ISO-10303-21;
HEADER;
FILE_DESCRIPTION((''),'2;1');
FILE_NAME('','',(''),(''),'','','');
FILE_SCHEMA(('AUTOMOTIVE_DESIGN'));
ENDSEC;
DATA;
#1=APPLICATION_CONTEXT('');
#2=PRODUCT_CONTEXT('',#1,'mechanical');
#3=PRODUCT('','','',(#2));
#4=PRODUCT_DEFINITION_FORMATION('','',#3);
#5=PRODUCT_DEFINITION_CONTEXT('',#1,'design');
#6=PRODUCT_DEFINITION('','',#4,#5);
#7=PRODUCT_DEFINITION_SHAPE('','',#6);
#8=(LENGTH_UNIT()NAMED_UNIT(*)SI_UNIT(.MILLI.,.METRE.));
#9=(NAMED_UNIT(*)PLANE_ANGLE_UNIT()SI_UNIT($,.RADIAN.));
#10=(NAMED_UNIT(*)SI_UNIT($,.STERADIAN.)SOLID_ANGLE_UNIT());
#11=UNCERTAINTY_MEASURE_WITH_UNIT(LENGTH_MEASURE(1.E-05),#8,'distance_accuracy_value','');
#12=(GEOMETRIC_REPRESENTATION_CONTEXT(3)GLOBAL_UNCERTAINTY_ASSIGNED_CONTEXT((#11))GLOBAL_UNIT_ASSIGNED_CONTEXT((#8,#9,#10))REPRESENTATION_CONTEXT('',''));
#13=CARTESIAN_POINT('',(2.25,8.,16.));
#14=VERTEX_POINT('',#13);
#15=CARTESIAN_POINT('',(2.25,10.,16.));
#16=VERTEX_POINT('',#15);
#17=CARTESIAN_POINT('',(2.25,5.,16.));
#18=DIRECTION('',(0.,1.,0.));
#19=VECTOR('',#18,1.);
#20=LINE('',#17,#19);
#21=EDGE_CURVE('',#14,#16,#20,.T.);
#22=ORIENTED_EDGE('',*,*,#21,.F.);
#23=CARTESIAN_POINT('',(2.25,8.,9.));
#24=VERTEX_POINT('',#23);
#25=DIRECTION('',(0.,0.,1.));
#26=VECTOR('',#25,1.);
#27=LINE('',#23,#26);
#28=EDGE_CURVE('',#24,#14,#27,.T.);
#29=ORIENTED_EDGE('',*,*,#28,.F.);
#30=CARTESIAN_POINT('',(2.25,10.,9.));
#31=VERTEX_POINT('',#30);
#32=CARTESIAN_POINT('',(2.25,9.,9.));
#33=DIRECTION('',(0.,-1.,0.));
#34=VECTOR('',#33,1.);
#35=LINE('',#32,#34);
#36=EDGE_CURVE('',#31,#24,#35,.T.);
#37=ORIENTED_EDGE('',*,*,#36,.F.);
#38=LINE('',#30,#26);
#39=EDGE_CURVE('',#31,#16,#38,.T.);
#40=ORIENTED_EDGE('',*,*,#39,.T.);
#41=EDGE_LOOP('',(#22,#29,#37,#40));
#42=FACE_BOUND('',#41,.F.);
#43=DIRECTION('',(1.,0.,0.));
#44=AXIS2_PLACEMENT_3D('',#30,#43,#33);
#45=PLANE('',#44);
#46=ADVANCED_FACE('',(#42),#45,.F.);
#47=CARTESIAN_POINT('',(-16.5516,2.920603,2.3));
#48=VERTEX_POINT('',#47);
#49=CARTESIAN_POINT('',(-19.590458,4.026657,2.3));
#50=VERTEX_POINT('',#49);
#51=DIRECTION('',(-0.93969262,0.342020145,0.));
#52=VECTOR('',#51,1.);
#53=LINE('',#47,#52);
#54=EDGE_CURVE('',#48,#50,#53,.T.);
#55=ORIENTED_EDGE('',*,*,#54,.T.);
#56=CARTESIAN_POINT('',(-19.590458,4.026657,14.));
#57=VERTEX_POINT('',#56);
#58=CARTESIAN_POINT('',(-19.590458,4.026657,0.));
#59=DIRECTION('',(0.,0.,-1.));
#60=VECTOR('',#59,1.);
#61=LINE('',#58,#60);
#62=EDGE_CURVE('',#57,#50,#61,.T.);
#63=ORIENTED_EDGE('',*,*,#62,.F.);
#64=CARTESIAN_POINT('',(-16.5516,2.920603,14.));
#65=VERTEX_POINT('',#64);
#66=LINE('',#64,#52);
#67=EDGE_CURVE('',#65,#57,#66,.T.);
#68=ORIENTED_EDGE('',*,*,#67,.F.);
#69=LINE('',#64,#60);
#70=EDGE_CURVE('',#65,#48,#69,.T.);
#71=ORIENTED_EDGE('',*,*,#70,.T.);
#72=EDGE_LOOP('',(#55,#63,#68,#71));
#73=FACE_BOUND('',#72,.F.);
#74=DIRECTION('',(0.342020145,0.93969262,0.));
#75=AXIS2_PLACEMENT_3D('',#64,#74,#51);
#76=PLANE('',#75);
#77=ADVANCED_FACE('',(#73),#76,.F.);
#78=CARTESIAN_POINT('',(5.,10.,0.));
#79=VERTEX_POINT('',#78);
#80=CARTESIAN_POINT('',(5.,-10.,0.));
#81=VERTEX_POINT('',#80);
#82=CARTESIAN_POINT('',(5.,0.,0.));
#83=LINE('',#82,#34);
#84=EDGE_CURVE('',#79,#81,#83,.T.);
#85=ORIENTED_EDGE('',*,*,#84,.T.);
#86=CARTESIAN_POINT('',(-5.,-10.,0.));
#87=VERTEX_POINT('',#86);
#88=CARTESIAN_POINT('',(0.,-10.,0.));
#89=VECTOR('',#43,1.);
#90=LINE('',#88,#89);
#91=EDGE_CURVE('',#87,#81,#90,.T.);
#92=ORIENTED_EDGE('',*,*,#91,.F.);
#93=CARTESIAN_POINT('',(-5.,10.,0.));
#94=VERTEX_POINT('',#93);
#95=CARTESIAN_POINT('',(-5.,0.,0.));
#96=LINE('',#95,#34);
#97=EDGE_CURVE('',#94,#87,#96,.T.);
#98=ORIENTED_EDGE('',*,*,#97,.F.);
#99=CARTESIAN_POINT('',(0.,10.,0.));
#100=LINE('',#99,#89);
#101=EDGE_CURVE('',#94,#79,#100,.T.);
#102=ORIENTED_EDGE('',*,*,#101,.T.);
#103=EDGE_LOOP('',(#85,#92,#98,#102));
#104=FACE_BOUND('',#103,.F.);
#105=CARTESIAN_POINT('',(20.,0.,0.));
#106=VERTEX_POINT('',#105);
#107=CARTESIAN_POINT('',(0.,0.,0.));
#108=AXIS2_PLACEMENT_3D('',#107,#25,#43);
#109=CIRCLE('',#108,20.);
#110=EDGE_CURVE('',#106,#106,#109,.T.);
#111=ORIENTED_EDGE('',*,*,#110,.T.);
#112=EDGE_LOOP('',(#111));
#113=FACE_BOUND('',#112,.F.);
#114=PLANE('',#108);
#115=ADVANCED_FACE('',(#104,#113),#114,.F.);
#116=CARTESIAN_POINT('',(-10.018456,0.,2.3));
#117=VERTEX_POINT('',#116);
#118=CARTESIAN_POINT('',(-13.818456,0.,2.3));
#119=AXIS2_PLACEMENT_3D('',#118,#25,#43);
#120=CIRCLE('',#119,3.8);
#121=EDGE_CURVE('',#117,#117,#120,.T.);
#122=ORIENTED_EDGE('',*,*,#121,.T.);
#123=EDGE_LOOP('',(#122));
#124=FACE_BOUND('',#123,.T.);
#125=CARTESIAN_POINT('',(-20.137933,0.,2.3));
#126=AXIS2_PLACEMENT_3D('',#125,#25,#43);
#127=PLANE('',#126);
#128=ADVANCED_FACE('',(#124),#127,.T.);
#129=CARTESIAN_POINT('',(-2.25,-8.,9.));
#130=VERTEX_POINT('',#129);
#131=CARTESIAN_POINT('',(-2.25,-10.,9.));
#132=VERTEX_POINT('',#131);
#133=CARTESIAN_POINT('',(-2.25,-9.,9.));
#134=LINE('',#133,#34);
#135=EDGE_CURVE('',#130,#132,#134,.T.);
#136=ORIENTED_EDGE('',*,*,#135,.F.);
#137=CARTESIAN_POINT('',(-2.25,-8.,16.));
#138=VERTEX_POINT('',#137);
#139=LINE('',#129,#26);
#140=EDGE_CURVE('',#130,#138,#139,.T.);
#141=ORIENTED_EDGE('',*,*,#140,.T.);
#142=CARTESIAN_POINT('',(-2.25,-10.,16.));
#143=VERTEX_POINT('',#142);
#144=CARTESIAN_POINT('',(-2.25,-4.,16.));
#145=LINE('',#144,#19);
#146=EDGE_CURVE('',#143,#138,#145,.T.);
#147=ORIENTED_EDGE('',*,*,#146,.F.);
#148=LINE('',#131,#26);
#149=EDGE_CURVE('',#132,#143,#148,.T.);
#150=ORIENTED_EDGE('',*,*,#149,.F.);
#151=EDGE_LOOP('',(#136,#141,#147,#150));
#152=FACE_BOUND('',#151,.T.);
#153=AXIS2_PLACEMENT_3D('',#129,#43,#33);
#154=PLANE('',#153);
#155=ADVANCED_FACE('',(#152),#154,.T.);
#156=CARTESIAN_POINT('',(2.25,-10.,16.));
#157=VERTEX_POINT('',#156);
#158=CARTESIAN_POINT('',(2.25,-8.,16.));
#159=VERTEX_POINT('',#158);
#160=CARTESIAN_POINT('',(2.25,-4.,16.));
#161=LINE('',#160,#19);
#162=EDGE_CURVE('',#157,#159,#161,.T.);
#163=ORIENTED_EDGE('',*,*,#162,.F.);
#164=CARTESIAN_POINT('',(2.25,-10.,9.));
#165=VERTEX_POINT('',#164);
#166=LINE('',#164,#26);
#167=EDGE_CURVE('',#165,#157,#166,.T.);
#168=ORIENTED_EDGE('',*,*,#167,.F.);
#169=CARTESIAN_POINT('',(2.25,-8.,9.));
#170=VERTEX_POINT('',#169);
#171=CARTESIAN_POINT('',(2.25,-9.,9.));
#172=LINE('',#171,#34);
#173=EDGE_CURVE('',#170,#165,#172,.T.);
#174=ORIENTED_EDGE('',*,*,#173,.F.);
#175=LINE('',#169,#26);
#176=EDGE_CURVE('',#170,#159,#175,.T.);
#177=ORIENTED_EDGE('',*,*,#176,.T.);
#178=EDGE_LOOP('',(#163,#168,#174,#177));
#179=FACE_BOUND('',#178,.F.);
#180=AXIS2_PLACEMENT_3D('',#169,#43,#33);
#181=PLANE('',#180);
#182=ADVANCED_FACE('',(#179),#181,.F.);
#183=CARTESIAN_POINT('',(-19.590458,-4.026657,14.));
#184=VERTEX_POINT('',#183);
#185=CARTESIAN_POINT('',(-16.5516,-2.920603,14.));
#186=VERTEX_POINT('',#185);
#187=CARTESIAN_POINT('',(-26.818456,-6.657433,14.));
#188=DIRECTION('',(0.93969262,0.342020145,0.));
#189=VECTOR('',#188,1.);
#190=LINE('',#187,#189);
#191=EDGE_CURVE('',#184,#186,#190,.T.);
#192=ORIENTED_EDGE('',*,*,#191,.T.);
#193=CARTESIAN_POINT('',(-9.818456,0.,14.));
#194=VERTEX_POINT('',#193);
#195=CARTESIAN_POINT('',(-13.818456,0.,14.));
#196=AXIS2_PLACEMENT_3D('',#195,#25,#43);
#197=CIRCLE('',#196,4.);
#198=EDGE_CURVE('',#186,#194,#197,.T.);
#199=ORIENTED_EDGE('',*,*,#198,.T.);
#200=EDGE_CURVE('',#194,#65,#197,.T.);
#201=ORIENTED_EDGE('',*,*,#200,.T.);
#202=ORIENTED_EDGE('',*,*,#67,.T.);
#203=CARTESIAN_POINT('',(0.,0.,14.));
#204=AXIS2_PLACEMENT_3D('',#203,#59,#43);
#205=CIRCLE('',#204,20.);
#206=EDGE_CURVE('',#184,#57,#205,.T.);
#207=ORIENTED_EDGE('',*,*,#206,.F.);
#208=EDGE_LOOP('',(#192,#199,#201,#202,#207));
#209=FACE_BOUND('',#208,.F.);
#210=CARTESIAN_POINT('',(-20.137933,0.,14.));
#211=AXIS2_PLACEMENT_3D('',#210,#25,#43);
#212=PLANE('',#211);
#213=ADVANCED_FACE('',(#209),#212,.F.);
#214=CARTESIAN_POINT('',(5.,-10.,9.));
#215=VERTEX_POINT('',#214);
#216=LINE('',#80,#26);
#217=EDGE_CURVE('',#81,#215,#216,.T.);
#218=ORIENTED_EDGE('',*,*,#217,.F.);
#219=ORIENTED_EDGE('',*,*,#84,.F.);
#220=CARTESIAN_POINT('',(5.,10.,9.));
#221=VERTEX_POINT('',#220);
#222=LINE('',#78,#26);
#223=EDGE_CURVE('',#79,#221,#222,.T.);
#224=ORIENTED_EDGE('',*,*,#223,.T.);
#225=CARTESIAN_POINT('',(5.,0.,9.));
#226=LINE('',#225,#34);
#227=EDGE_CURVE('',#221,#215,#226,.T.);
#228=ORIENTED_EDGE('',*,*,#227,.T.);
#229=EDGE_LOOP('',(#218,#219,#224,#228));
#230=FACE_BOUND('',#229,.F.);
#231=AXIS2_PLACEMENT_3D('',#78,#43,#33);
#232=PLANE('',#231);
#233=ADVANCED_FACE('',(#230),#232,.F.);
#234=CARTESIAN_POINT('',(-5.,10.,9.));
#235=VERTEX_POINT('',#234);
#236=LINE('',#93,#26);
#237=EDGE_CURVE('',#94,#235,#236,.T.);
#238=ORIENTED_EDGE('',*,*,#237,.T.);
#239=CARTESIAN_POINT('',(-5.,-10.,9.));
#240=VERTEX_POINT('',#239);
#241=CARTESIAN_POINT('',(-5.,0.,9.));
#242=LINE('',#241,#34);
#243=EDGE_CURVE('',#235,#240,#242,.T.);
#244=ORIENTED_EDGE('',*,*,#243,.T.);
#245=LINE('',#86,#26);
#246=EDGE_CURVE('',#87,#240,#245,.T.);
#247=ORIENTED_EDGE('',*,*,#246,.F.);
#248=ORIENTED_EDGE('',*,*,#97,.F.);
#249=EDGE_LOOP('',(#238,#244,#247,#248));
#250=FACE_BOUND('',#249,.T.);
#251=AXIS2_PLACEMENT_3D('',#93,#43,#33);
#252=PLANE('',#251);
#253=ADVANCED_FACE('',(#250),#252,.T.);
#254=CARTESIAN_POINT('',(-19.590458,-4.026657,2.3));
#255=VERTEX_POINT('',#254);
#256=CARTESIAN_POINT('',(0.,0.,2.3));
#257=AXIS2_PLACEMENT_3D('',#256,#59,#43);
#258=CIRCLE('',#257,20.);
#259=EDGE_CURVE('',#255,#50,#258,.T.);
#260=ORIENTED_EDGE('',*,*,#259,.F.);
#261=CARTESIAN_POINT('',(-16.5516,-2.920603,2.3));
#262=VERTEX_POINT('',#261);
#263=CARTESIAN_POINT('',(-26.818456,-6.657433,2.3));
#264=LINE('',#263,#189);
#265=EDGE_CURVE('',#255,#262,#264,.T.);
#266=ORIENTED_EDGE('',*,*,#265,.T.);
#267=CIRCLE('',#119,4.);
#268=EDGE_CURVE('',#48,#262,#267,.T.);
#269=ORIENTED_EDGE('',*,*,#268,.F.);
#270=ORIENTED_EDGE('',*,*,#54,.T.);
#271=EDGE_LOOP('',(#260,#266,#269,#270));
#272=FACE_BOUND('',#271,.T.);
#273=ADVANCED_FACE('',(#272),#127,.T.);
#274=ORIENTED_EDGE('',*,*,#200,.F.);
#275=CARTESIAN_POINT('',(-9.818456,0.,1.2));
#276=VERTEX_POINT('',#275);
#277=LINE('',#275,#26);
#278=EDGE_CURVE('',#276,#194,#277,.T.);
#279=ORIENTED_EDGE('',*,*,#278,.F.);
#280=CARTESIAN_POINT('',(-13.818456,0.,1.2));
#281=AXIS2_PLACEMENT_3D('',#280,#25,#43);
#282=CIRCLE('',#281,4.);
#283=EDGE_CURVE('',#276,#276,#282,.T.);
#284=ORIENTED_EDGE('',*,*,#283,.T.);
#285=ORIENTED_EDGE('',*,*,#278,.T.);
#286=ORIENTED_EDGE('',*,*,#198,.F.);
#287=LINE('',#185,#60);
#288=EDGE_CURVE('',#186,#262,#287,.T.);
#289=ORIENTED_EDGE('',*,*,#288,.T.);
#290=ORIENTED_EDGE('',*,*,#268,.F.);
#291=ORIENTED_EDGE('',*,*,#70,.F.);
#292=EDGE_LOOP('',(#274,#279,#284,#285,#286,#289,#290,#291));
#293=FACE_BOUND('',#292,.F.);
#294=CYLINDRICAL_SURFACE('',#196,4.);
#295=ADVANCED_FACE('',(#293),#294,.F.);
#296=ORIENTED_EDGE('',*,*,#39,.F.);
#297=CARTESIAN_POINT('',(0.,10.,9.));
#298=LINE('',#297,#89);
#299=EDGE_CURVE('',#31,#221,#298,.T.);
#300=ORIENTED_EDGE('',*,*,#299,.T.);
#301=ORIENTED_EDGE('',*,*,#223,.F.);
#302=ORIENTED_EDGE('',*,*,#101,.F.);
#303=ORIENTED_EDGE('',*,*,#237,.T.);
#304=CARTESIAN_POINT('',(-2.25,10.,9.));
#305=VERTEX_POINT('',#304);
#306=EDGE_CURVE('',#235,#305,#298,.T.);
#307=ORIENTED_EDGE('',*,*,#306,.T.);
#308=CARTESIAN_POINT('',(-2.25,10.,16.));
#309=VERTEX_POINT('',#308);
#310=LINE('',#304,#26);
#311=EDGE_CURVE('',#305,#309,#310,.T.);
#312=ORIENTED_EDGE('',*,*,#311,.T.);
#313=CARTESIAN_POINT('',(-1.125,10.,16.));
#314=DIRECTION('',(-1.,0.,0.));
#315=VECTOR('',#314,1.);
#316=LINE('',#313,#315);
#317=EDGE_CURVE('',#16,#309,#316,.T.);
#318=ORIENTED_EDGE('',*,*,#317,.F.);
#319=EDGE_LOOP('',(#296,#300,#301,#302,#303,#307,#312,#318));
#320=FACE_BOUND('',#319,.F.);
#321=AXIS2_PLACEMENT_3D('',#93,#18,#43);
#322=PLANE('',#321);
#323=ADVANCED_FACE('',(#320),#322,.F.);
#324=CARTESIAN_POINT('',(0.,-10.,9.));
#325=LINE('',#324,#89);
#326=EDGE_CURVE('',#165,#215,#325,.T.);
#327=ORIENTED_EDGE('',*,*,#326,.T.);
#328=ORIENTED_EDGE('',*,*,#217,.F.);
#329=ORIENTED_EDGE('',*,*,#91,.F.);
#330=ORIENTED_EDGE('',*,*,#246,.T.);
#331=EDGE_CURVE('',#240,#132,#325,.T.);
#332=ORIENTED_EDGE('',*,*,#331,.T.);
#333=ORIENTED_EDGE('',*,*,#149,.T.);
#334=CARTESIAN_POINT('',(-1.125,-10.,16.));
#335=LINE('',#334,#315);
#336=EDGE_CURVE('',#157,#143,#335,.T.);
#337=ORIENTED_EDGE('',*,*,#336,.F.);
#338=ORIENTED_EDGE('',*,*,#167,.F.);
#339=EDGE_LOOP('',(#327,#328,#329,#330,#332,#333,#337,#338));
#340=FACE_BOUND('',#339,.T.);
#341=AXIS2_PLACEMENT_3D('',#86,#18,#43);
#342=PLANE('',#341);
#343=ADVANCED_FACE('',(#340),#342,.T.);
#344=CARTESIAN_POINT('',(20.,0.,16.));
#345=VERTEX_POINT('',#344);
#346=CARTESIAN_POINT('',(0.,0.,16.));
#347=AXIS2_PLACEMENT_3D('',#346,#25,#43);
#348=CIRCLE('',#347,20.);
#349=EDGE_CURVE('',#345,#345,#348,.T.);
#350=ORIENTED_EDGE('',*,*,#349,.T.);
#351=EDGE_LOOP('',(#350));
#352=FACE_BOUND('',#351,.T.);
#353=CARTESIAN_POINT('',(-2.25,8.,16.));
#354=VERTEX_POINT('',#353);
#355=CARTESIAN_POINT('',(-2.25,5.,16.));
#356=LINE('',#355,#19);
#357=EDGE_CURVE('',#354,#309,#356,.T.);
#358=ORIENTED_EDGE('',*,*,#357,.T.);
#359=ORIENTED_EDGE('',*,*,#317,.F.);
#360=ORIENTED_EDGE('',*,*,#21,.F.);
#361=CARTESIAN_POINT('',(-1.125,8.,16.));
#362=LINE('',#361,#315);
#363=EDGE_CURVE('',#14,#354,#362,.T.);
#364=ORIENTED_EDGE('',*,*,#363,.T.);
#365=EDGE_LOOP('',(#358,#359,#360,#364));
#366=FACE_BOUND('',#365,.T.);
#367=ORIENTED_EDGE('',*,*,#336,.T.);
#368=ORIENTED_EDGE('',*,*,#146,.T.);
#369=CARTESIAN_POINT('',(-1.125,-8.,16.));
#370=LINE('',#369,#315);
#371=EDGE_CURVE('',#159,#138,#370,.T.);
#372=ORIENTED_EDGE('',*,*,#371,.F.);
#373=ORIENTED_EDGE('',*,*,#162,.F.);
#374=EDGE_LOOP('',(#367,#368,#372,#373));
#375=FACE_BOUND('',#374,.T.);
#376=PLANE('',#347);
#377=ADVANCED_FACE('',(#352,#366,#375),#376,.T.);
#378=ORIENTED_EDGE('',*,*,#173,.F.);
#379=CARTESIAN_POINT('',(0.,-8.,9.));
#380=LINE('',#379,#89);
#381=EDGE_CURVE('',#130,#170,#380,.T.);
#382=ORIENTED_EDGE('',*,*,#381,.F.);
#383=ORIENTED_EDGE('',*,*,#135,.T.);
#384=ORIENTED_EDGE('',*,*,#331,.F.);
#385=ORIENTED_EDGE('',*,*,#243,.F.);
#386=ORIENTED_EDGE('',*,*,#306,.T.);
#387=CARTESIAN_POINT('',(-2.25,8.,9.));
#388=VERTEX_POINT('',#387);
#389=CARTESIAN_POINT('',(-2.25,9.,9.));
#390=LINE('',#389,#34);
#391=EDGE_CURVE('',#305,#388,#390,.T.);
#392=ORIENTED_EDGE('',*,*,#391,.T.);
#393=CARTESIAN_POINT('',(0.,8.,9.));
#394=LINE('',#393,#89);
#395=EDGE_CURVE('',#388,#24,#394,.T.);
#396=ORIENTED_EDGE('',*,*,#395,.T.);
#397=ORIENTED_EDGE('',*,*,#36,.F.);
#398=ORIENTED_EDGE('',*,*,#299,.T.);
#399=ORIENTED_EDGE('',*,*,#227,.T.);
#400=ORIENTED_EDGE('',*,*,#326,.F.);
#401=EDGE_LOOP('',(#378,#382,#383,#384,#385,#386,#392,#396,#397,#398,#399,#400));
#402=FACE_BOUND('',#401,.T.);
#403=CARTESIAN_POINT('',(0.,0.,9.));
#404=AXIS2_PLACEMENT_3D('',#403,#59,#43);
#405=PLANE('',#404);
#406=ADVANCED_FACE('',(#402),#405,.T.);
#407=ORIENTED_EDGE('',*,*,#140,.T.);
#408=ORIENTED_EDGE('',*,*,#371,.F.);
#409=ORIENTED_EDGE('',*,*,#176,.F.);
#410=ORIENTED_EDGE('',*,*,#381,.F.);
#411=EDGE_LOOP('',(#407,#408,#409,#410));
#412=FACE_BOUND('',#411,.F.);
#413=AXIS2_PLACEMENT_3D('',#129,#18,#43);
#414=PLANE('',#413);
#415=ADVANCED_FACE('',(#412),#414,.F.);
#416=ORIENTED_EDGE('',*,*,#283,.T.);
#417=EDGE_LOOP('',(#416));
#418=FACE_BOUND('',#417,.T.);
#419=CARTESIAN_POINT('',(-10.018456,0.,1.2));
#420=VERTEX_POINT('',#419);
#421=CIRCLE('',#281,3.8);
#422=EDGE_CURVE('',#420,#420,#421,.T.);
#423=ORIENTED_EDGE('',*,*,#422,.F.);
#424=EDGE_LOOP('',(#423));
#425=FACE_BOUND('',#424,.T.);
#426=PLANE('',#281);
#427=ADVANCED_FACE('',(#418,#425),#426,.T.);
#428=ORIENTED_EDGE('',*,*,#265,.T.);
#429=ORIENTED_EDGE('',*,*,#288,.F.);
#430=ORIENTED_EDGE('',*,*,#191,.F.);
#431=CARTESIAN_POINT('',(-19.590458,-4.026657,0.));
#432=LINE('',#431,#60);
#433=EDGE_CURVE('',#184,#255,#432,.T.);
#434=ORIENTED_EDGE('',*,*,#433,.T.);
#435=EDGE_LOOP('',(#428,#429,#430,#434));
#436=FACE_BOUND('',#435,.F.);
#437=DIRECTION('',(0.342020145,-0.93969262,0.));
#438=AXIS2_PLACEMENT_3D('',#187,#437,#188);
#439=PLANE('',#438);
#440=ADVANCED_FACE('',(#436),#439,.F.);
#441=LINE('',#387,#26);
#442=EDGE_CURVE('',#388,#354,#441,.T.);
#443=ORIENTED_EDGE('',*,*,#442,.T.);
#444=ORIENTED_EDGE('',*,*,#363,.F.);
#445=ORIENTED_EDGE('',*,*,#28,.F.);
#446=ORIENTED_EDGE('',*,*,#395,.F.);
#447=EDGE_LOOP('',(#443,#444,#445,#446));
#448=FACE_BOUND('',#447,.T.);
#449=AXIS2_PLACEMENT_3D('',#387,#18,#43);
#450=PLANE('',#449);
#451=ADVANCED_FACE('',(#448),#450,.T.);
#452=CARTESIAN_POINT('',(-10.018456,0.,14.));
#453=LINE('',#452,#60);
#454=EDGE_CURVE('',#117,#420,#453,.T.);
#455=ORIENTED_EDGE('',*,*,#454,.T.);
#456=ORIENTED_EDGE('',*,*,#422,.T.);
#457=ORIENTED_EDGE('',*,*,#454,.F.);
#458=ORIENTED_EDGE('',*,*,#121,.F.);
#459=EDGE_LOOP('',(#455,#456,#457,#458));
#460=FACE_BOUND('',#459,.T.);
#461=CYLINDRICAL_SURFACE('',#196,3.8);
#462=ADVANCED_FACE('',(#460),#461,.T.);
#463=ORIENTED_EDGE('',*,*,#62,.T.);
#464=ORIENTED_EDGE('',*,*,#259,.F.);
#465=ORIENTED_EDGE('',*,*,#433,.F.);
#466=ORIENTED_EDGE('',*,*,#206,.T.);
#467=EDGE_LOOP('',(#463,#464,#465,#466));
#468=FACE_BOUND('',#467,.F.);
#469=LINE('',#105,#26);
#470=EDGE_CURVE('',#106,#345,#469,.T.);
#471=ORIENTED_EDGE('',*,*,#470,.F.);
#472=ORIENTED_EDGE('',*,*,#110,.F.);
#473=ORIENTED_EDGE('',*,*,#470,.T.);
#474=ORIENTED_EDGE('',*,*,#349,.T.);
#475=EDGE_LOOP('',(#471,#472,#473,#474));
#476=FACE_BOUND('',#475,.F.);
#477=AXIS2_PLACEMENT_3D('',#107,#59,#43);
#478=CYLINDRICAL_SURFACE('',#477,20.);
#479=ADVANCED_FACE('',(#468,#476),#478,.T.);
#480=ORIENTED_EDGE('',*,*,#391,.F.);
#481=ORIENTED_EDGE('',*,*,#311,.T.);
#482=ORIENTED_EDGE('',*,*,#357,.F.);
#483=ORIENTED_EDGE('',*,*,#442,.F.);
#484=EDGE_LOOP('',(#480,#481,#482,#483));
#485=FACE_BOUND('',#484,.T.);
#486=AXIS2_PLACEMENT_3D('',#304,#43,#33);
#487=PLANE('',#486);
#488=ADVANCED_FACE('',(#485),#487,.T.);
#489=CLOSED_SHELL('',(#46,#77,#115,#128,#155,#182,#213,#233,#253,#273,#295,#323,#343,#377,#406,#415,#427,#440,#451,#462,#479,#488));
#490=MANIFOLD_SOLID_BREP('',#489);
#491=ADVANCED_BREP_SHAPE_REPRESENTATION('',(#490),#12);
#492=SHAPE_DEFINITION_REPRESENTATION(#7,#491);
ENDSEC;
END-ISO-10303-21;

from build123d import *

# Parameters (mm, degrees)
F0_R      = 20
F1_DEPTH  = 16
F2_W      = 10
F2_H      = 20
F3_DEPTH  = 9
F4_W      = 4.5
F4_H      = 2
F5_DEPTH  = 7.001
F7_R      = 4
F7_R_2    = 3.8
F8_DEPTH  = 12.8
F10_DEPTH = 11.7


with BuildPart() as f1:
    # F0 (on Top) → F1 (new body)
    with BuildSketch(Plane.XY):
        Circle(F0_R)
    extrude(amount=F1_DEPTH)

    # F2 (on face) → F3 (cut)
    with BuildSketch(Plane(origin=(0, 0, 0), x_dir=(1, 0, 0), z_dir=(0, 0, -1))):
        Rectangle(F2_W, F2_H)
    extrude(amount=-F3_DEPTH, mode=Mode.SUBTRACT)

    # F4 (on face) → F5 (cut, through all)
    with BuildSketch(Plane(origin=(0, 0, 9), x_dir=(1, 0, 0), z_dir=(0, 0, -1))):
        with Locations((0, 9)):
            Rectangle(F4_W, F4_H)
        with Locations((0, -9)):
            Rectangle(F4_W, F4_H)
    extrude(amount=-F5_DEPTH, mode=Mode.SUBTRACT)

    # F7 (on offset) → F8 (cut)
    with BuildSketch(Plane.XY.offset(14)):
        with Locations((-13.818456, 0)):
            Circle(F7_R)
        with Locations((-13.818456, 0)):
            Circle(F7_R_2, mode=Mode.SUBTRACT)
    extrude(amount=-F8_DEPTH, mode=Mode.SUBTRACT)

    # F9 (on offset) → F10 (cut)
    with BuildSketch(Plane.XY.offset(14)):
        with BuildLine():
            Line((-26.818456, -6.657433), (-16.5516, -2.920603))
            ThreePointArc((-16.5516, -2.920603), (-9.818456, 0), (-16.5516, 2.920603))
            Line((-16.5516, 2.920603), (-26.818456, 6.657433))
            Line((-26.818456, 6.657433), (-26.818456, 0))
            Line((-26.818456, 0), (-26.818456, -6.657433))
        make_face()
    extrude(amount=-F10_DEPTH, mode=Mode.SUBTRACT)


solid = f1.part
